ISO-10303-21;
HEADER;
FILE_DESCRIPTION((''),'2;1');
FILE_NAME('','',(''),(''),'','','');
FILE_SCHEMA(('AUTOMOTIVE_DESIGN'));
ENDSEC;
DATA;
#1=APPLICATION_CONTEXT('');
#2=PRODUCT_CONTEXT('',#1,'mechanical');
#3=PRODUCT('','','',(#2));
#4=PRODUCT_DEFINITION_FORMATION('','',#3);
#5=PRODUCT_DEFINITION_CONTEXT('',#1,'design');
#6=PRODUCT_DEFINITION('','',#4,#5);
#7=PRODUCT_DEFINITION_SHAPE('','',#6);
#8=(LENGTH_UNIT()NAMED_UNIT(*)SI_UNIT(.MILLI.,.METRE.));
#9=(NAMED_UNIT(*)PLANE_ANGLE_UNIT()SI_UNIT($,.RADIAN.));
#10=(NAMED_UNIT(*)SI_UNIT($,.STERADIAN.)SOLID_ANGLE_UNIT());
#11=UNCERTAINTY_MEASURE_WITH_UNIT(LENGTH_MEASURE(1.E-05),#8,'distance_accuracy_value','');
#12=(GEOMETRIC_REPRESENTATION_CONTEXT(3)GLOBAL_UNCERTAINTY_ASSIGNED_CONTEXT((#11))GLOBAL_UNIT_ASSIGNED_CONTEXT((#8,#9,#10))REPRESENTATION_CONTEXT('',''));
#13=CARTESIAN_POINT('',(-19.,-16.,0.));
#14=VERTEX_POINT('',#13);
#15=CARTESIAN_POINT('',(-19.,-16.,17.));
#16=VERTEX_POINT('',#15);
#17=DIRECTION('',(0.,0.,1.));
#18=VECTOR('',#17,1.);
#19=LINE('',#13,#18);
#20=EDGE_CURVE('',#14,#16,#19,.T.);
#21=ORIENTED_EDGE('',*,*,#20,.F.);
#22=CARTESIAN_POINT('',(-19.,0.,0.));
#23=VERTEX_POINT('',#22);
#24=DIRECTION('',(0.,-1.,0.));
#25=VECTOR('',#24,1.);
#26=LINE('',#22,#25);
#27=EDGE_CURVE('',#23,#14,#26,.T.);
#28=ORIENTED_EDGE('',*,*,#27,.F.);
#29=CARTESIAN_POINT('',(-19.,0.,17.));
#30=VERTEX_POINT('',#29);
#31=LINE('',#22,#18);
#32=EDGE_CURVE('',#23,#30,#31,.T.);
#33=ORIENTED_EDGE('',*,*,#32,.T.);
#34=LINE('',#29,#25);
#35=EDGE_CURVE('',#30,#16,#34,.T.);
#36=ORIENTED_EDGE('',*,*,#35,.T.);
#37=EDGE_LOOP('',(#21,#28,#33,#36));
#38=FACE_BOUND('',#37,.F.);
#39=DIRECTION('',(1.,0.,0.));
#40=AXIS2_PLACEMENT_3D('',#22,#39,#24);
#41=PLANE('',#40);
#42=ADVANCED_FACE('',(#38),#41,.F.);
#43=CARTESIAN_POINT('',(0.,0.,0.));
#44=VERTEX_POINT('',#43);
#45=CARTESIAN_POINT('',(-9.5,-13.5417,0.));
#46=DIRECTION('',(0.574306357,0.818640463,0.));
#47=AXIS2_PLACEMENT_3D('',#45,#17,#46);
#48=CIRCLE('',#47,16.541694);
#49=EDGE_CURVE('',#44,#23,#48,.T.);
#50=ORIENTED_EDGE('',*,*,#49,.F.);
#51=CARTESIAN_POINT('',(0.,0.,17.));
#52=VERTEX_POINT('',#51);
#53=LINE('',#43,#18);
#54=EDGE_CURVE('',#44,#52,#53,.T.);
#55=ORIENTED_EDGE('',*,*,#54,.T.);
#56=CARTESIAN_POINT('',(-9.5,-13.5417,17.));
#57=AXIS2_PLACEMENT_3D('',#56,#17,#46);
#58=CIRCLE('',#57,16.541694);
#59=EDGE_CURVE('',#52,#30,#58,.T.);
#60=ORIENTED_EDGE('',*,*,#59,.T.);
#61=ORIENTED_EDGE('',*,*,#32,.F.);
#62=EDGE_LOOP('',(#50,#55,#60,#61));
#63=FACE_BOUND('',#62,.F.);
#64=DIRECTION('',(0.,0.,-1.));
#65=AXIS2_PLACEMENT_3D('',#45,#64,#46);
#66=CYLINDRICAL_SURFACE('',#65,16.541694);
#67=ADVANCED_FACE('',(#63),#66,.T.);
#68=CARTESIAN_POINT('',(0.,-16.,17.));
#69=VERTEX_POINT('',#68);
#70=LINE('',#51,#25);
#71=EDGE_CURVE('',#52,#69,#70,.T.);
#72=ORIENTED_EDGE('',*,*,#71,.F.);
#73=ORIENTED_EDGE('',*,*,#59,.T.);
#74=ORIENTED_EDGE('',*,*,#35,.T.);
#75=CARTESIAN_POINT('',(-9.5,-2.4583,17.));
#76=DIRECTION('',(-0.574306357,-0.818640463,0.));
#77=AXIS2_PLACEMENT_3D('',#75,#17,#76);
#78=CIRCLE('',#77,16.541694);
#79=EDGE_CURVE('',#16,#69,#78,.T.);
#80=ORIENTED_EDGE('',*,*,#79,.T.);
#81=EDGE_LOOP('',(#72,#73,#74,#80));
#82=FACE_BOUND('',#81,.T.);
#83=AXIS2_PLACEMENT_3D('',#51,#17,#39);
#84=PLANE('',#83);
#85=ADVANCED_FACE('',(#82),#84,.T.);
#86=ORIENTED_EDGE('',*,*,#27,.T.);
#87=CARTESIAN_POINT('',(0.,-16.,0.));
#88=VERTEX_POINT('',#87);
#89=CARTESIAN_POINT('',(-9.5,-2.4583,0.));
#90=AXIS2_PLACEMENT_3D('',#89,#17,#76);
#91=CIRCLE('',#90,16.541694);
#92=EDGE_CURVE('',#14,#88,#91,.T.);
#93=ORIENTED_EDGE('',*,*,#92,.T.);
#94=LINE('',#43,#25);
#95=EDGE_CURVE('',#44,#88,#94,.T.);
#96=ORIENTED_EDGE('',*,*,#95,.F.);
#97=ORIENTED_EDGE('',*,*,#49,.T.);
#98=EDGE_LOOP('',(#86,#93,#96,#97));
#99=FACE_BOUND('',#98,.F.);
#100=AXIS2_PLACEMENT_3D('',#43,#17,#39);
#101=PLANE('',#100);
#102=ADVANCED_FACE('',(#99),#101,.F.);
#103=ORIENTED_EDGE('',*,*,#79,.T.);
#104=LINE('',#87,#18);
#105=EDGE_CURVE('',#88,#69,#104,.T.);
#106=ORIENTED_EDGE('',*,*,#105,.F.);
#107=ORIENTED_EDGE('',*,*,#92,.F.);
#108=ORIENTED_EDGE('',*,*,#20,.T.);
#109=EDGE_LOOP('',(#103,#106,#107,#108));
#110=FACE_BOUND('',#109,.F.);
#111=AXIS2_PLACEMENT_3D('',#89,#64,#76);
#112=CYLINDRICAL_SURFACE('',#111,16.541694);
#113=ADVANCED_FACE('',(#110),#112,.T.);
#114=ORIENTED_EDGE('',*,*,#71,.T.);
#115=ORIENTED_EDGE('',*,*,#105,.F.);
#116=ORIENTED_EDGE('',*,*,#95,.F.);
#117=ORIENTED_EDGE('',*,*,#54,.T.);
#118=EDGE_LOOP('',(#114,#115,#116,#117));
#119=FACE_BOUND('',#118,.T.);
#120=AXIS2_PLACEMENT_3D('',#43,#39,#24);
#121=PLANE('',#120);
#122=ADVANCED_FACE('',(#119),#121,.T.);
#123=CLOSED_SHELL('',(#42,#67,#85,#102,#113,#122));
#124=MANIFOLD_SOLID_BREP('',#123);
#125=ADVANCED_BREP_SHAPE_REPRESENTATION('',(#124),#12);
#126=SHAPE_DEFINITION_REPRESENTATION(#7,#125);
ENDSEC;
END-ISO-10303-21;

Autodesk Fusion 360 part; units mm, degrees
sketch "Motor base" plane through (0, 0, 0) normal (0, 0, 1) x (1, 0, 0)
  line L0 (0, 0) -> (0, -16)
  line L1 (0, -8) -> (-19, -8) construction
  line L2 (-9.5, -8) -> (-9.5, -19) construction
  line L3 (-19, 0) -> (-19, -16)
  arc A0 (-19, -16) -> (0, -16) centre (-9.5, -2.4583) ccw
  arc A1 (0, 0) -> (-19, 0) centre (-9.5, -13.5417) ccw
  dimension "d1" = 16
  dimension "d2" = 19
  dimension "d3" = 11
extrude "Motor height" add sketch "Motor base" along normal blind 17
equation "d1 = 22 mm - 6 mm"
